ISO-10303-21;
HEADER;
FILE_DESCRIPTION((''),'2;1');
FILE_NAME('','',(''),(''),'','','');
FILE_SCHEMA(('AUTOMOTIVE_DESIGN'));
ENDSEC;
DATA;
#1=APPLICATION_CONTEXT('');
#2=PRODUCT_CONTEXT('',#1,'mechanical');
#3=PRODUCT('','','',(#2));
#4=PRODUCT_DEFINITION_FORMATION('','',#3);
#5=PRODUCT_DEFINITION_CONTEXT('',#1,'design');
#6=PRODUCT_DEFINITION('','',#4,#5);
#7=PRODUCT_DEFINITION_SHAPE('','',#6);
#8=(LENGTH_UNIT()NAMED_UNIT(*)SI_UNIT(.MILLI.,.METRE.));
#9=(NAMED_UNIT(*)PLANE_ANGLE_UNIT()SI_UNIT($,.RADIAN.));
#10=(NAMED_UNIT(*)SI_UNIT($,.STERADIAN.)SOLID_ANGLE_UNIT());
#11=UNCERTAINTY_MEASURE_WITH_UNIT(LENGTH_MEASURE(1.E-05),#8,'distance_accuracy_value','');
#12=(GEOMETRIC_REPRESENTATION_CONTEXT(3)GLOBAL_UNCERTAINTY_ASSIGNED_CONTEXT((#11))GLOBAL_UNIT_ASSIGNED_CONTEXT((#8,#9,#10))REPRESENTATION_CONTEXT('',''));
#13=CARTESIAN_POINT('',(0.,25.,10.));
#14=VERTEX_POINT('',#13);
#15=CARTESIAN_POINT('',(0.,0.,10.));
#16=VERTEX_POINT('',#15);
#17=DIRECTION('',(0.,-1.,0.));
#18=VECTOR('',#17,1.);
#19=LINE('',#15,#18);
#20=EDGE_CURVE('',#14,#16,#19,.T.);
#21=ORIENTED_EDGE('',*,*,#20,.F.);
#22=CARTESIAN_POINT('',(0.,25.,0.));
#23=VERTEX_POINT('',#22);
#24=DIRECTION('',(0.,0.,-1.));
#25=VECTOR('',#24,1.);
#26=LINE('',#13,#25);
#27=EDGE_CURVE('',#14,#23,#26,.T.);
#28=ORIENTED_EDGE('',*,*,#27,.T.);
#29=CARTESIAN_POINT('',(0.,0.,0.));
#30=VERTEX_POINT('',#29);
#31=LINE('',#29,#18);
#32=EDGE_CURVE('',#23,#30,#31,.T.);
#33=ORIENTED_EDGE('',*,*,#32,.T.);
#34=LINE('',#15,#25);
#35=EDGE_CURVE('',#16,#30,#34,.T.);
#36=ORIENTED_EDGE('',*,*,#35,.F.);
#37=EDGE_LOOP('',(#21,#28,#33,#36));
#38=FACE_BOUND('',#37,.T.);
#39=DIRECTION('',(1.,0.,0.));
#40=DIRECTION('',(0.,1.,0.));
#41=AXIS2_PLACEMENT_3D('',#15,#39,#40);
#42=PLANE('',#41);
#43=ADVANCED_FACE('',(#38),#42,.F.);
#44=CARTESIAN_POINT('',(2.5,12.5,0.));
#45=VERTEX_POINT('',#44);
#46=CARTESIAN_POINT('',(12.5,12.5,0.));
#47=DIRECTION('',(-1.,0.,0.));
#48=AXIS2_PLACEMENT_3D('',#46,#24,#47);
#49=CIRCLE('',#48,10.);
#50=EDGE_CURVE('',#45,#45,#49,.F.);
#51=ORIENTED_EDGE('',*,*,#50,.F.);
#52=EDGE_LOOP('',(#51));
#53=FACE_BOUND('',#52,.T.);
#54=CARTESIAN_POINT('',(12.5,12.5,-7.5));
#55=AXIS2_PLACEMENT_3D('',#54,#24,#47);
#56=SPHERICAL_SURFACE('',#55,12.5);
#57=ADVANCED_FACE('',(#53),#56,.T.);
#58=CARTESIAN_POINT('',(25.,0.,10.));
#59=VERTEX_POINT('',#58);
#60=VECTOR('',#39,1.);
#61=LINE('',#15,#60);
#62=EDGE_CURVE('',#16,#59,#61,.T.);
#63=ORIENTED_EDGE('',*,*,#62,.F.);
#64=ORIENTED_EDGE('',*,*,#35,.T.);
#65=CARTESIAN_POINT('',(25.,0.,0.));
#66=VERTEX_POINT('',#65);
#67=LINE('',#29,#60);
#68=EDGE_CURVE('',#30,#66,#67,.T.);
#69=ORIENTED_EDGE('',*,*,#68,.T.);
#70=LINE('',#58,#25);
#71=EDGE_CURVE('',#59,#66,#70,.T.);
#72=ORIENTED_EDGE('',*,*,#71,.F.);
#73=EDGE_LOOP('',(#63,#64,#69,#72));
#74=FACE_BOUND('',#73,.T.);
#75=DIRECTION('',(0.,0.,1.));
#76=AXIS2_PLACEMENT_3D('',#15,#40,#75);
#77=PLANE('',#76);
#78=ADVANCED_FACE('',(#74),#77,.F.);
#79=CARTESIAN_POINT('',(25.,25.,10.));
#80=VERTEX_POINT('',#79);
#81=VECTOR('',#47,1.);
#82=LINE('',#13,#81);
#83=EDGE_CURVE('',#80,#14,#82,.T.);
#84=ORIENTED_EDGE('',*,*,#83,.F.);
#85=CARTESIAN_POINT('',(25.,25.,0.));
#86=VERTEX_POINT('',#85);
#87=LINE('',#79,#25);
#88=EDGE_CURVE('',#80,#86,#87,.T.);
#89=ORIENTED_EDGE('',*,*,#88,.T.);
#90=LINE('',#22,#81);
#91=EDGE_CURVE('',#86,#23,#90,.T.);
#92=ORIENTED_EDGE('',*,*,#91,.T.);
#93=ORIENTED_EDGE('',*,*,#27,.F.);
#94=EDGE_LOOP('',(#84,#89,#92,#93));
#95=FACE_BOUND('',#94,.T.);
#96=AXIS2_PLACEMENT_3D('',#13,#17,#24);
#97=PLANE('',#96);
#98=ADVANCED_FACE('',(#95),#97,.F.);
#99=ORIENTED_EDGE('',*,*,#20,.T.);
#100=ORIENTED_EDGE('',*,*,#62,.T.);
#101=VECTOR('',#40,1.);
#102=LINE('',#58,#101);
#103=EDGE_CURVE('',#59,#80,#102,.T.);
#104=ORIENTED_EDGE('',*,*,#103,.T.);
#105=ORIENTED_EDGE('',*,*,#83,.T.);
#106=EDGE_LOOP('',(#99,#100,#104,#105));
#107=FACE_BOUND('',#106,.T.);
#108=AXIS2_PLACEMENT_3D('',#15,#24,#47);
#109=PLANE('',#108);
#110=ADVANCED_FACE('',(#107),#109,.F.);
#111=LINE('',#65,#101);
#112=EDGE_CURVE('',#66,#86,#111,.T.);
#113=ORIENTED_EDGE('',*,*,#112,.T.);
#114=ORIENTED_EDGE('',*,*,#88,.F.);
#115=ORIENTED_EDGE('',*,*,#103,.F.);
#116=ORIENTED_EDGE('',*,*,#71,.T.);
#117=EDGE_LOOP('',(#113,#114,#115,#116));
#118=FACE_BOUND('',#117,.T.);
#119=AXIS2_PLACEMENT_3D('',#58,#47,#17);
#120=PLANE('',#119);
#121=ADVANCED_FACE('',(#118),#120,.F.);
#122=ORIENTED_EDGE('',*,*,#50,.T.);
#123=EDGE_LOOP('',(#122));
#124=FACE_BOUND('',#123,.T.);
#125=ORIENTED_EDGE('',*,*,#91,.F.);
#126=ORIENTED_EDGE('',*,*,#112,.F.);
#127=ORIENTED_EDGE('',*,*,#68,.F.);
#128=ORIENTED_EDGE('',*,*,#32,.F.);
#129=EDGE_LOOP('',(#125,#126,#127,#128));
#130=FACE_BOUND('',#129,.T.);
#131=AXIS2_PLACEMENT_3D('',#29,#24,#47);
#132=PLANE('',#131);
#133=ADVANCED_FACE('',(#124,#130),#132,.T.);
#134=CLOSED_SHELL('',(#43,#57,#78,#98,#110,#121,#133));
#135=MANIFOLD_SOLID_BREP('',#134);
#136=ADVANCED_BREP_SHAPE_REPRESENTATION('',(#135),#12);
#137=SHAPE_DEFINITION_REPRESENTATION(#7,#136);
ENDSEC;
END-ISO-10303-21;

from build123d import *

# Parameters (mm, degrees)
SKETCH1_W           = 25
SKETCH1_H           = 25
BOSS_EXTRUDE1_DEPTH = 10


with BuildPart() as part:
    # Sketch1 → Boss-Extrude1 (new body)
    with BuildSketch(Plane.XY):
        with Locations((12.5, 12.5)):
            Rectangle(SKETCH1_W, SKETCH1_H)
    extrude(amount=BOSS_EXTRUDE1_DEPTH)

    # Sketch3 → Revolve1 (revolve)
    with BuildSketch(Plane(origin=(0, 12.5, 0), x_dir=(-1, 0, 0), z_dir=(0, -1, 0))):
        with BuildLine():
            Line((-12.5, 20), (-12.5, -5))
            ThreePointArc((-12.5, -5), (0, 7.5), (-12.5, 20))
        make_face()
    revolve(axis=Axis((12.5, 12.5, 0), (0, 0, 1)))


solid = part.part
